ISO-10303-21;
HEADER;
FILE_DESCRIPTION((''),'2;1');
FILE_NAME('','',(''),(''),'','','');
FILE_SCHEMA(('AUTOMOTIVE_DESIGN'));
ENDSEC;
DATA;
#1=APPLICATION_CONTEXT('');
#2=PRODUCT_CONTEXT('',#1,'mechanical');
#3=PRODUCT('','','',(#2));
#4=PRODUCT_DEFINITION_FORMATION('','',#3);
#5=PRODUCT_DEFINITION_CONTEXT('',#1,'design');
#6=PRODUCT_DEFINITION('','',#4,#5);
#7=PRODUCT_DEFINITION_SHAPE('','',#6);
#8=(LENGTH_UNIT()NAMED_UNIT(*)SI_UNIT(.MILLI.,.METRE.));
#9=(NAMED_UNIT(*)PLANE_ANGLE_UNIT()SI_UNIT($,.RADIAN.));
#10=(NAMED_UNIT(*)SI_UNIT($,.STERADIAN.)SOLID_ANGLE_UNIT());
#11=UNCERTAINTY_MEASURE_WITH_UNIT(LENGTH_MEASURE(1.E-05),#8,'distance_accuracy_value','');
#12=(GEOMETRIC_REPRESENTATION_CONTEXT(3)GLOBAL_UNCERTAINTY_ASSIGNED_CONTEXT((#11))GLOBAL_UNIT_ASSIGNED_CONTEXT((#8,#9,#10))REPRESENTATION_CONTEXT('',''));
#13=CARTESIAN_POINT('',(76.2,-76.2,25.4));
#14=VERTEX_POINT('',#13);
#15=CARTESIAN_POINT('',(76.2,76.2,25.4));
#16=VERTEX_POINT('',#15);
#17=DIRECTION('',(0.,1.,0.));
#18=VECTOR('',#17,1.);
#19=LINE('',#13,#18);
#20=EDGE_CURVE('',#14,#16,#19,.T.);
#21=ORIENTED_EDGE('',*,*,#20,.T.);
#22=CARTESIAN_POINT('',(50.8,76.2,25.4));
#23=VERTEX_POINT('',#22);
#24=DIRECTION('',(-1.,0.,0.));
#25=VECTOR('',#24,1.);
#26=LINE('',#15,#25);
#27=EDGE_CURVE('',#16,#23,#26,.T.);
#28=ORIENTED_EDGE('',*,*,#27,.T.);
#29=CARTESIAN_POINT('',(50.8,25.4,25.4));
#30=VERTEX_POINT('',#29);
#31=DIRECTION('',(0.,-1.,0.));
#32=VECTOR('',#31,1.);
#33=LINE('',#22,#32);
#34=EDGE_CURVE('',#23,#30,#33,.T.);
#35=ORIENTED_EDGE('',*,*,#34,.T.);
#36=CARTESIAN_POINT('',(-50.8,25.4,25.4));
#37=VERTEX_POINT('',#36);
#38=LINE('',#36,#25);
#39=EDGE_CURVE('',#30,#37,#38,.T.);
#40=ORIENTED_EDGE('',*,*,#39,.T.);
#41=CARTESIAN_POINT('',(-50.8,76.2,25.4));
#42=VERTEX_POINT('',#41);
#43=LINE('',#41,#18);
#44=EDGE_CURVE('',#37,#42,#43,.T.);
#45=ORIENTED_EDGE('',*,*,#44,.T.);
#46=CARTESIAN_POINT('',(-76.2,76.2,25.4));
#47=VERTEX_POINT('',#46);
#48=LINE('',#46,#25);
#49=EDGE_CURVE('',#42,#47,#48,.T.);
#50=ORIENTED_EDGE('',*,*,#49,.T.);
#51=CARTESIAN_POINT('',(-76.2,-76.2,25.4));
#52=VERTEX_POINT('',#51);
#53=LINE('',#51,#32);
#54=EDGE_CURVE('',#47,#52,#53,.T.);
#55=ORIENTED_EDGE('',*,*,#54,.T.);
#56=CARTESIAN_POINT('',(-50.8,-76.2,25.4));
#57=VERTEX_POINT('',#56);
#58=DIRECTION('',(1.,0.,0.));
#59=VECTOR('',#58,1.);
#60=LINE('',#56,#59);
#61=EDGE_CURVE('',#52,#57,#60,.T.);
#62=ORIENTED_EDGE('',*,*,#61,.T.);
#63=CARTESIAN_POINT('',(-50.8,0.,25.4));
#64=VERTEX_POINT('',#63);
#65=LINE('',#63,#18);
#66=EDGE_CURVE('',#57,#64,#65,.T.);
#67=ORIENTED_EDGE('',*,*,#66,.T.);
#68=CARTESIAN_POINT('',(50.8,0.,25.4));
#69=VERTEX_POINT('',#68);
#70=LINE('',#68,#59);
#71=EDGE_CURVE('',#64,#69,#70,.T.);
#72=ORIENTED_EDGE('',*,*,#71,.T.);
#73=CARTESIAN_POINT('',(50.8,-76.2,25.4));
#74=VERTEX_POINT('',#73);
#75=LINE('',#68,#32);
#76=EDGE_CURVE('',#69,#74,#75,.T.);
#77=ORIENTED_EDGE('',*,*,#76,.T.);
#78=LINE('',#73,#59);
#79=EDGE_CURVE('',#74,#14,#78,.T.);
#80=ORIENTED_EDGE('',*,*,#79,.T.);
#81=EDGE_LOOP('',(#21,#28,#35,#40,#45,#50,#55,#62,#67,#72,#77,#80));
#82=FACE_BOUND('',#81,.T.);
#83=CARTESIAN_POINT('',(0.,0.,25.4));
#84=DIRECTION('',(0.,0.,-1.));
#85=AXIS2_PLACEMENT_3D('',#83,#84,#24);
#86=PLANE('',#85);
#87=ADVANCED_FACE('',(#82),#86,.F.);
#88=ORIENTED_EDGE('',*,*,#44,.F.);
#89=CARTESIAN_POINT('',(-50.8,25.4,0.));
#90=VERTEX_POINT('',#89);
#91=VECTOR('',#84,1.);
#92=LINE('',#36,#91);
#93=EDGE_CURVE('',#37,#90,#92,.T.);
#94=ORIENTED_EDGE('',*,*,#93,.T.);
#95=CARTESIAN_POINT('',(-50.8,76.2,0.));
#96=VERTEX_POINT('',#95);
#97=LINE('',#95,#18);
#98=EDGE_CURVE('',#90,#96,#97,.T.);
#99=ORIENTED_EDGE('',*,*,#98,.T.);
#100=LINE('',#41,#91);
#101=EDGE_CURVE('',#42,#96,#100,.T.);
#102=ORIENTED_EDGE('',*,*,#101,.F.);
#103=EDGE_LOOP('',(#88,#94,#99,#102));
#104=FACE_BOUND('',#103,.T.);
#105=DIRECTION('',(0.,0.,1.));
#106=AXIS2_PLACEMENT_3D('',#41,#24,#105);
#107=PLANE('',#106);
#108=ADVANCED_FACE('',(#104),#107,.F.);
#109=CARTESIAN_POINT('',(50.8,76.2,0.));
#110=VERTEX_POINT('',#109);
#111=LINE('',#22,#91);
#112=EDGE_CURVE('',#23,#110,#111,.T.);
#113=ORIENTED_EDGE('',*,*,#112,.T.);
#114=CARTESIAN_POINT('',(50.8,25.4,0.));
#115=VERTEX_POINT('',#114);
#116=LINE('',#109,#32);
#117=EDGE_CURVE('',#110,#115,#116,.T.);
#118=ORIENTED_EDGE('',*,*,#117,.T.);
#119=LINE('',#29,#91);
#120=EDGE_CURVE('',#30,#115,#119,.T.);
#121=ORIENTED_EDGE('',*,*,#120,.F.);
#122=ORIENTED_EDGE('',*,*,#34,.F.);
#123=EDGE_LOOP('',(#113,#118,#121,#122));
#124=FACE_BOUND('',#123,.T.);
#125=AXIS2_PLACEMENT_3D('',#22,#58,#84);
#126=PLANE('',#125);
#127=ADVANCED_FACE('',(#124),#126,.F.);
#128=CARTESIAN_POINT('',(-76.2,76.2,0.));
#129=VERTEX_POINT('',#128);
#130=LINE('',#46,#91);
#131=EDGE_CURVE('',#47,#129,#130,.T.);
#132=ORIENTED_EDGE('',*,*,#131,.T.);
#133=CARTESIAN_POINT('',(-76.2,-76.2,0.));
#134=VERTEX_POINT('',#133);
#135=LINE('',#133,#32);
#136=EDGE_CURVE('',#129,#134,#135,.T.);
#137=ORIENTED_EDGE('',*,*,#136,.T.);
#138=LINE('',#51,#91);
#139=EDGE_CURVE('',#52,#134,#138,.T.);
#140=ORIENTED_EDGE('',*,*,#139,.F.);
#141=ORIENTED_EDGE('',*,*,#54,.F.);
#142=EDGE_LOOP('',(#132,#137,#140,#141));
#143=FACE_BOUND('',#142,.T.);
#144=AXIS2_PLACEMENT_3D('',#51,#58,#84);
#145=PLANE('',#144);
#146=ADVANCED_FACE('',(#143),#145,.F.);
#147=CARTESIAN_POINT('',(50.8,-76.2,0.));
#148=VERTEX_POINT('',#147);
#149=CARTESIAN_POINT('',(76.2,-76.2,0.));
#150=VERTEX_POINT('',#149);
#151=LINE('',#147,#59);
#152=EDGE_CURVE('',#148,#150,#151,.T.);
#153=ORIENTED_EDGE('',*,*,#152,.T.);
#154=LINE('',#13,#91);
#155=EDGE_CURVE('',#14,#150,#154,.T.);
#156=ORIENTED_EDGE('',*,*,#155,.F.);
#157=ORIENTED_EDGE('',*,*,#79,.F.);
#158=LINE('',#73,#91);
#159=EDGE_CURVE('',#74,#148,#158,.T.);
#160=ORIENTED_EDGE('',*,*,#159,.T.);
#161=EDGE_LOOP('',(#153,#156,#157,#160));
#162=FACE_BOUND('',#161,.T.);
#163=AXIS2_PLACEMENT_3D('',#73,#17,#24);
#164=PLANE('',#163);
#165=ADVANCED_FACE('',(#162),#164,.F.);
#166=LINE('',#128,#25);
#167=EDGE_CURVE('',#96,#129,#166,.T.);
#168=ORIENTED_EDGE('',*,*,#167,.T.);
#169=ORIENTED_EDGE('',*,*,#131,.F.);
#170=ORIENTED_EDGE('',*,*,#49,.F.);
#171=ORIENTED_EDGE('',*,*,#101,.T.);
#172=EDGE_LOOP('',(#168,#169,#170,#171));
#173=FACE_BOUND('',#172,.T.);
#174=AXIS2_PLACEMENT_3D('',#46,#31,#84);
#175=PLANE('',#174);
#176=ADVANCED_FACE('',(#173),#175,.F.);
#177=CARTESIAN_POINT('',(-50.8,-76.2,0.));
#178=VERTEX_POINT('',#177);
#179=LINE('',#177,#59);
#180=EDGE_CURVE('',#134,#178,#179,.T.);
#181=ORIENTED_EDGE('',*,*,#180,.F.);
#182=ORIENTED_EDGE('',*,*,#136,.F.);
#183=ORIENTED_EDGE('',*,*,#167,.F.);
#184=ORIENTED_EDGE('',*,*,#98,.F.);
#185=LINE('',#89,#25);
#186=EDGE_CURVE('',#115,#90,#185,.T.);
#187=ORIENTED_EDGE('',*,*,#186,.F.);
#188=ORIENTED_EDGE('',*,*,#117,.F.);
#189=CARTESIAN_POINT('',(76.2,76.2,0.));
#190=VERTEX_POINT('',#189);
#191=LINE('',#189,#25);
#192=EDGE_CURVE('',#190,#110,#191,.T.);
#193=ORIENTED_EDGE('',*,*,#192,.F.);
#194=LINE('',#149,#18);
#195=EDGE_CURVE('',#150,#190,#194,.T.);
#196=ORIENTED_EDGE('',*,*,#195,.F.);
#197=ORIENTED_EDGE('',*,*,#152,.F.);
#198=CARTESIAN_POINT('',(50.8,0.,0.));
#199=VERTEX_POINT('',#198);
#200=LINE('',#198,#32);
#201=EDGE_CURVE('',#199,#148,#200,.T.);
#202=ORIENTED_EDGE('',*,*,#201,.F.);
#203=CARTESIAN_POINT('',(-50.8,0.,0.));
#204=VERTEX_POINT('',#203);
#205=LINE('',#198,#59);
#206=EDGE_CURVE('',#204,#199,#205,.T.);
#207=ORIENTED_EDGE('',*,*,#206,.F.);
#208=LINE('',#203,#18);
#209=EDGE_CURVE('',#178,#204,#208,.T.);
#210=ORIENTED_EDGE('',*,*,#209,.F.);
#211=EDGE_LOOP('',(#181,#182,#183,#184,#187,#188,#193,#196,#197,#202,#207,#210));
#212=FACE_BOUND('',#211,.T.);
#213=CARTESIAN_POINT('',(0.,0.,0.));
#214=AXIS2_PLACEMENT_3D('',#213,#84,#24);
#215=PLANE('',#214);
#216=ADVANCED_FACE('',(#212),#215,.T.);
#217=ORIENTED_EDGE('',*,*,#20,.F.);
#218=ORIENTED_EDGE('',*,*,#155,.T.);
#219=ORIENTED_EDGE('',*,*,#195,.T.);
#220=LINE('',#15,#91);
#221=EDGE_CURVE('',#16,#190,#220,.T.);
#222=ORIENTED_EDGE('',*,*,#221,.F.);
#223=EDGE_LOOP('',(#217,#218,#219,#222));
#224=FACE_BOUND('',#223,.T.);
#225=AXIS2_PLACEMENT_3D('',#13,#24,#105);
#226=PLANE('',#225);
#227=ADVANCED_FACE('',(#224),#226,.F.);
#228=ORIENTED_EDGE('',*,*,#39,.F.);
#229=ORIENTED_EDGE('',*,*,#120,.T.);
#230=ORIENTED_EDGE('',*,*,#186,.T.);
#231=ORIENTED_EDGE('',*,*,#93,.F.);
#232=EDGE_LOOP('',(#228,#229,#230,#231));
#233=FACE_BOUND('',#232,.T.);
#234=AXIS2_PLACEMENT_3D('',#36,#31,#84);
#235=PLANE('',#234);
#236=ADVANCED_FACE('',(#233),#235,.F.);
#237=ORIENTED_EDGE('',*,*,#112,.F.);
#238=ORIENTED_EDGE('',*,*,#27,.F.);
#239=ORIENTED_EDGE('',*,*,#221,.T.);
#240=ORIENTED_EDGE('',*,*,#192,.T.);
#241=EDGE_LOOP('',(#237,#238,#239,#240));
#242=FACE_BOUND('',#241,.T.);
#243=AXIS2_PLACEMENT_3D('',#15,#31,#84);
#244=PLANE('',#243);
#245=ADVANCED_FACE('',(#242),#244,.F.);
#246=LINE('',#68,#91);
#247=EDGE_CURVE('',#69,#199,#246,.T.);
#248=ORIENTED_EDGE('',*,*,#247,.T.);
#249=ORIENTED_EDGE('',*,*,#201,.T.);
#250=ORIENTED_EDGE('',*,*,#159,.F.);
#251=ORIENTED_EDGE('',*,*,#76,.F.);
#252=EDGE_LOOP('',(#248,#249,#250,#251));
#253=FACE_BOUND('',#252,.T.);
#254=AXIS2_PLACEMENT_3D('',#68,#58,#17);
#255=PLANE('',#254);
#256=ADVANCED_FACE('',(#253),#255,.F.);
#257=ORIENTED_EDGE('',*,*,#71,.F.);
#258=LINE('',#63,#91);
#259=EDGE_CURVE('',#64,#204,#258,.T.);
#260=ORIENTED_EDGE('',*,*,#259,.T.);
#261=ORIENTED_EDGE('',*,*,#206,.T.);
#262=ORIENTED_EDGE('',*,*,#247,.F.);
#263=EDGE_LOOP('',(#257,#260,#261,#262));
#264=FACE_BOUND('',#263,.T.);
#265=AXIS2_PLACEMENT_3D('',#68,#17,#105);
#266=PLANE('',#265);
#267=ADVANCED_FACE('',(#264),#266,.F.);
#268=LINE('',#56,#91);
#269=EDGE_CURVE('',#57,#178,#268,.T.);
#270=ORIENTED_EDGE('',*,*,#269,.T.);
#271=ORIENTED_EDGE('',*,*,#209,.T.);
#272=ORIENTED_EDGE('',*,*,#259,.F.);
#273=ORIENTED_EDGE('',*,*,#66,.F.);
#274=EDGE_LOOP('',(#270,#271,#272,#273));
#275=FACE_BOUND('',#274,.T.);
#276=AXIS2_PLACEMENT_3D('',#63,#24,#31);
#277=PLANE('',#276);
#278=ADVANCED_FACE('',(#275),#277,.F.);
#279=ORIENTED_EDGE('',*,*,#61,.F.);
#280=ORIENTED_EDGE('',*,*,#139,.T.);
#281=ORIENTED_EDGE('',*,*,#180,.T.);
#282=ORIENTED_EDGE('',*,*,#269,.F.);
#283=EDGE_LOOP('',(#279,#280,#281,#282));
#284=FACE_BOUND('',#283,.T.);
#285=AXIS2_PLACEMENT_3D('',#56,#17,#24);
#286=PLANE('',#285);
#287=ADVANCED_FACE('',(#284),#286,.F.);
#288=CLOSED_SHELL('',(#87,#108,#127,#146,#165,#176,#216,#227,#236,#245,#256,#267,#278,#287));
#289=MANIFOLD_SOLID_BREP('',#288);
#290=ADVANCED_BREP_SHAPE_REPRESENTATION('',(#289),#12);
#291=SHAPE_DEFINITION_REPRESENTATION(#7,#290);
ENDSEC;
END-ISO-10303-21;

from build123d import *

# Parameters (mm, degrees)
BOSS_EXTRUDE1_DEPTH = 25.4


with BuildPart() as part:
    # Sketch1 → Boss-Extrude1 (new body)
    with BuildSketch(Plane.XY):
        Polygon((50.8, 0), (-50.8, 0), (-50.8, -76.2), (-76.2, -76.2), (-76.2, 76.2), (-50.8, 76.2), (-50.8, 25.4), (50.8, 25.4), (50.8, 76.2), (76.2, 76.2), (76.2, -76.2), (50.8, -76.2), align=None)
    extrude(amount=BOSS_EXTRUDE1_DEPTH)


solid = part.part
